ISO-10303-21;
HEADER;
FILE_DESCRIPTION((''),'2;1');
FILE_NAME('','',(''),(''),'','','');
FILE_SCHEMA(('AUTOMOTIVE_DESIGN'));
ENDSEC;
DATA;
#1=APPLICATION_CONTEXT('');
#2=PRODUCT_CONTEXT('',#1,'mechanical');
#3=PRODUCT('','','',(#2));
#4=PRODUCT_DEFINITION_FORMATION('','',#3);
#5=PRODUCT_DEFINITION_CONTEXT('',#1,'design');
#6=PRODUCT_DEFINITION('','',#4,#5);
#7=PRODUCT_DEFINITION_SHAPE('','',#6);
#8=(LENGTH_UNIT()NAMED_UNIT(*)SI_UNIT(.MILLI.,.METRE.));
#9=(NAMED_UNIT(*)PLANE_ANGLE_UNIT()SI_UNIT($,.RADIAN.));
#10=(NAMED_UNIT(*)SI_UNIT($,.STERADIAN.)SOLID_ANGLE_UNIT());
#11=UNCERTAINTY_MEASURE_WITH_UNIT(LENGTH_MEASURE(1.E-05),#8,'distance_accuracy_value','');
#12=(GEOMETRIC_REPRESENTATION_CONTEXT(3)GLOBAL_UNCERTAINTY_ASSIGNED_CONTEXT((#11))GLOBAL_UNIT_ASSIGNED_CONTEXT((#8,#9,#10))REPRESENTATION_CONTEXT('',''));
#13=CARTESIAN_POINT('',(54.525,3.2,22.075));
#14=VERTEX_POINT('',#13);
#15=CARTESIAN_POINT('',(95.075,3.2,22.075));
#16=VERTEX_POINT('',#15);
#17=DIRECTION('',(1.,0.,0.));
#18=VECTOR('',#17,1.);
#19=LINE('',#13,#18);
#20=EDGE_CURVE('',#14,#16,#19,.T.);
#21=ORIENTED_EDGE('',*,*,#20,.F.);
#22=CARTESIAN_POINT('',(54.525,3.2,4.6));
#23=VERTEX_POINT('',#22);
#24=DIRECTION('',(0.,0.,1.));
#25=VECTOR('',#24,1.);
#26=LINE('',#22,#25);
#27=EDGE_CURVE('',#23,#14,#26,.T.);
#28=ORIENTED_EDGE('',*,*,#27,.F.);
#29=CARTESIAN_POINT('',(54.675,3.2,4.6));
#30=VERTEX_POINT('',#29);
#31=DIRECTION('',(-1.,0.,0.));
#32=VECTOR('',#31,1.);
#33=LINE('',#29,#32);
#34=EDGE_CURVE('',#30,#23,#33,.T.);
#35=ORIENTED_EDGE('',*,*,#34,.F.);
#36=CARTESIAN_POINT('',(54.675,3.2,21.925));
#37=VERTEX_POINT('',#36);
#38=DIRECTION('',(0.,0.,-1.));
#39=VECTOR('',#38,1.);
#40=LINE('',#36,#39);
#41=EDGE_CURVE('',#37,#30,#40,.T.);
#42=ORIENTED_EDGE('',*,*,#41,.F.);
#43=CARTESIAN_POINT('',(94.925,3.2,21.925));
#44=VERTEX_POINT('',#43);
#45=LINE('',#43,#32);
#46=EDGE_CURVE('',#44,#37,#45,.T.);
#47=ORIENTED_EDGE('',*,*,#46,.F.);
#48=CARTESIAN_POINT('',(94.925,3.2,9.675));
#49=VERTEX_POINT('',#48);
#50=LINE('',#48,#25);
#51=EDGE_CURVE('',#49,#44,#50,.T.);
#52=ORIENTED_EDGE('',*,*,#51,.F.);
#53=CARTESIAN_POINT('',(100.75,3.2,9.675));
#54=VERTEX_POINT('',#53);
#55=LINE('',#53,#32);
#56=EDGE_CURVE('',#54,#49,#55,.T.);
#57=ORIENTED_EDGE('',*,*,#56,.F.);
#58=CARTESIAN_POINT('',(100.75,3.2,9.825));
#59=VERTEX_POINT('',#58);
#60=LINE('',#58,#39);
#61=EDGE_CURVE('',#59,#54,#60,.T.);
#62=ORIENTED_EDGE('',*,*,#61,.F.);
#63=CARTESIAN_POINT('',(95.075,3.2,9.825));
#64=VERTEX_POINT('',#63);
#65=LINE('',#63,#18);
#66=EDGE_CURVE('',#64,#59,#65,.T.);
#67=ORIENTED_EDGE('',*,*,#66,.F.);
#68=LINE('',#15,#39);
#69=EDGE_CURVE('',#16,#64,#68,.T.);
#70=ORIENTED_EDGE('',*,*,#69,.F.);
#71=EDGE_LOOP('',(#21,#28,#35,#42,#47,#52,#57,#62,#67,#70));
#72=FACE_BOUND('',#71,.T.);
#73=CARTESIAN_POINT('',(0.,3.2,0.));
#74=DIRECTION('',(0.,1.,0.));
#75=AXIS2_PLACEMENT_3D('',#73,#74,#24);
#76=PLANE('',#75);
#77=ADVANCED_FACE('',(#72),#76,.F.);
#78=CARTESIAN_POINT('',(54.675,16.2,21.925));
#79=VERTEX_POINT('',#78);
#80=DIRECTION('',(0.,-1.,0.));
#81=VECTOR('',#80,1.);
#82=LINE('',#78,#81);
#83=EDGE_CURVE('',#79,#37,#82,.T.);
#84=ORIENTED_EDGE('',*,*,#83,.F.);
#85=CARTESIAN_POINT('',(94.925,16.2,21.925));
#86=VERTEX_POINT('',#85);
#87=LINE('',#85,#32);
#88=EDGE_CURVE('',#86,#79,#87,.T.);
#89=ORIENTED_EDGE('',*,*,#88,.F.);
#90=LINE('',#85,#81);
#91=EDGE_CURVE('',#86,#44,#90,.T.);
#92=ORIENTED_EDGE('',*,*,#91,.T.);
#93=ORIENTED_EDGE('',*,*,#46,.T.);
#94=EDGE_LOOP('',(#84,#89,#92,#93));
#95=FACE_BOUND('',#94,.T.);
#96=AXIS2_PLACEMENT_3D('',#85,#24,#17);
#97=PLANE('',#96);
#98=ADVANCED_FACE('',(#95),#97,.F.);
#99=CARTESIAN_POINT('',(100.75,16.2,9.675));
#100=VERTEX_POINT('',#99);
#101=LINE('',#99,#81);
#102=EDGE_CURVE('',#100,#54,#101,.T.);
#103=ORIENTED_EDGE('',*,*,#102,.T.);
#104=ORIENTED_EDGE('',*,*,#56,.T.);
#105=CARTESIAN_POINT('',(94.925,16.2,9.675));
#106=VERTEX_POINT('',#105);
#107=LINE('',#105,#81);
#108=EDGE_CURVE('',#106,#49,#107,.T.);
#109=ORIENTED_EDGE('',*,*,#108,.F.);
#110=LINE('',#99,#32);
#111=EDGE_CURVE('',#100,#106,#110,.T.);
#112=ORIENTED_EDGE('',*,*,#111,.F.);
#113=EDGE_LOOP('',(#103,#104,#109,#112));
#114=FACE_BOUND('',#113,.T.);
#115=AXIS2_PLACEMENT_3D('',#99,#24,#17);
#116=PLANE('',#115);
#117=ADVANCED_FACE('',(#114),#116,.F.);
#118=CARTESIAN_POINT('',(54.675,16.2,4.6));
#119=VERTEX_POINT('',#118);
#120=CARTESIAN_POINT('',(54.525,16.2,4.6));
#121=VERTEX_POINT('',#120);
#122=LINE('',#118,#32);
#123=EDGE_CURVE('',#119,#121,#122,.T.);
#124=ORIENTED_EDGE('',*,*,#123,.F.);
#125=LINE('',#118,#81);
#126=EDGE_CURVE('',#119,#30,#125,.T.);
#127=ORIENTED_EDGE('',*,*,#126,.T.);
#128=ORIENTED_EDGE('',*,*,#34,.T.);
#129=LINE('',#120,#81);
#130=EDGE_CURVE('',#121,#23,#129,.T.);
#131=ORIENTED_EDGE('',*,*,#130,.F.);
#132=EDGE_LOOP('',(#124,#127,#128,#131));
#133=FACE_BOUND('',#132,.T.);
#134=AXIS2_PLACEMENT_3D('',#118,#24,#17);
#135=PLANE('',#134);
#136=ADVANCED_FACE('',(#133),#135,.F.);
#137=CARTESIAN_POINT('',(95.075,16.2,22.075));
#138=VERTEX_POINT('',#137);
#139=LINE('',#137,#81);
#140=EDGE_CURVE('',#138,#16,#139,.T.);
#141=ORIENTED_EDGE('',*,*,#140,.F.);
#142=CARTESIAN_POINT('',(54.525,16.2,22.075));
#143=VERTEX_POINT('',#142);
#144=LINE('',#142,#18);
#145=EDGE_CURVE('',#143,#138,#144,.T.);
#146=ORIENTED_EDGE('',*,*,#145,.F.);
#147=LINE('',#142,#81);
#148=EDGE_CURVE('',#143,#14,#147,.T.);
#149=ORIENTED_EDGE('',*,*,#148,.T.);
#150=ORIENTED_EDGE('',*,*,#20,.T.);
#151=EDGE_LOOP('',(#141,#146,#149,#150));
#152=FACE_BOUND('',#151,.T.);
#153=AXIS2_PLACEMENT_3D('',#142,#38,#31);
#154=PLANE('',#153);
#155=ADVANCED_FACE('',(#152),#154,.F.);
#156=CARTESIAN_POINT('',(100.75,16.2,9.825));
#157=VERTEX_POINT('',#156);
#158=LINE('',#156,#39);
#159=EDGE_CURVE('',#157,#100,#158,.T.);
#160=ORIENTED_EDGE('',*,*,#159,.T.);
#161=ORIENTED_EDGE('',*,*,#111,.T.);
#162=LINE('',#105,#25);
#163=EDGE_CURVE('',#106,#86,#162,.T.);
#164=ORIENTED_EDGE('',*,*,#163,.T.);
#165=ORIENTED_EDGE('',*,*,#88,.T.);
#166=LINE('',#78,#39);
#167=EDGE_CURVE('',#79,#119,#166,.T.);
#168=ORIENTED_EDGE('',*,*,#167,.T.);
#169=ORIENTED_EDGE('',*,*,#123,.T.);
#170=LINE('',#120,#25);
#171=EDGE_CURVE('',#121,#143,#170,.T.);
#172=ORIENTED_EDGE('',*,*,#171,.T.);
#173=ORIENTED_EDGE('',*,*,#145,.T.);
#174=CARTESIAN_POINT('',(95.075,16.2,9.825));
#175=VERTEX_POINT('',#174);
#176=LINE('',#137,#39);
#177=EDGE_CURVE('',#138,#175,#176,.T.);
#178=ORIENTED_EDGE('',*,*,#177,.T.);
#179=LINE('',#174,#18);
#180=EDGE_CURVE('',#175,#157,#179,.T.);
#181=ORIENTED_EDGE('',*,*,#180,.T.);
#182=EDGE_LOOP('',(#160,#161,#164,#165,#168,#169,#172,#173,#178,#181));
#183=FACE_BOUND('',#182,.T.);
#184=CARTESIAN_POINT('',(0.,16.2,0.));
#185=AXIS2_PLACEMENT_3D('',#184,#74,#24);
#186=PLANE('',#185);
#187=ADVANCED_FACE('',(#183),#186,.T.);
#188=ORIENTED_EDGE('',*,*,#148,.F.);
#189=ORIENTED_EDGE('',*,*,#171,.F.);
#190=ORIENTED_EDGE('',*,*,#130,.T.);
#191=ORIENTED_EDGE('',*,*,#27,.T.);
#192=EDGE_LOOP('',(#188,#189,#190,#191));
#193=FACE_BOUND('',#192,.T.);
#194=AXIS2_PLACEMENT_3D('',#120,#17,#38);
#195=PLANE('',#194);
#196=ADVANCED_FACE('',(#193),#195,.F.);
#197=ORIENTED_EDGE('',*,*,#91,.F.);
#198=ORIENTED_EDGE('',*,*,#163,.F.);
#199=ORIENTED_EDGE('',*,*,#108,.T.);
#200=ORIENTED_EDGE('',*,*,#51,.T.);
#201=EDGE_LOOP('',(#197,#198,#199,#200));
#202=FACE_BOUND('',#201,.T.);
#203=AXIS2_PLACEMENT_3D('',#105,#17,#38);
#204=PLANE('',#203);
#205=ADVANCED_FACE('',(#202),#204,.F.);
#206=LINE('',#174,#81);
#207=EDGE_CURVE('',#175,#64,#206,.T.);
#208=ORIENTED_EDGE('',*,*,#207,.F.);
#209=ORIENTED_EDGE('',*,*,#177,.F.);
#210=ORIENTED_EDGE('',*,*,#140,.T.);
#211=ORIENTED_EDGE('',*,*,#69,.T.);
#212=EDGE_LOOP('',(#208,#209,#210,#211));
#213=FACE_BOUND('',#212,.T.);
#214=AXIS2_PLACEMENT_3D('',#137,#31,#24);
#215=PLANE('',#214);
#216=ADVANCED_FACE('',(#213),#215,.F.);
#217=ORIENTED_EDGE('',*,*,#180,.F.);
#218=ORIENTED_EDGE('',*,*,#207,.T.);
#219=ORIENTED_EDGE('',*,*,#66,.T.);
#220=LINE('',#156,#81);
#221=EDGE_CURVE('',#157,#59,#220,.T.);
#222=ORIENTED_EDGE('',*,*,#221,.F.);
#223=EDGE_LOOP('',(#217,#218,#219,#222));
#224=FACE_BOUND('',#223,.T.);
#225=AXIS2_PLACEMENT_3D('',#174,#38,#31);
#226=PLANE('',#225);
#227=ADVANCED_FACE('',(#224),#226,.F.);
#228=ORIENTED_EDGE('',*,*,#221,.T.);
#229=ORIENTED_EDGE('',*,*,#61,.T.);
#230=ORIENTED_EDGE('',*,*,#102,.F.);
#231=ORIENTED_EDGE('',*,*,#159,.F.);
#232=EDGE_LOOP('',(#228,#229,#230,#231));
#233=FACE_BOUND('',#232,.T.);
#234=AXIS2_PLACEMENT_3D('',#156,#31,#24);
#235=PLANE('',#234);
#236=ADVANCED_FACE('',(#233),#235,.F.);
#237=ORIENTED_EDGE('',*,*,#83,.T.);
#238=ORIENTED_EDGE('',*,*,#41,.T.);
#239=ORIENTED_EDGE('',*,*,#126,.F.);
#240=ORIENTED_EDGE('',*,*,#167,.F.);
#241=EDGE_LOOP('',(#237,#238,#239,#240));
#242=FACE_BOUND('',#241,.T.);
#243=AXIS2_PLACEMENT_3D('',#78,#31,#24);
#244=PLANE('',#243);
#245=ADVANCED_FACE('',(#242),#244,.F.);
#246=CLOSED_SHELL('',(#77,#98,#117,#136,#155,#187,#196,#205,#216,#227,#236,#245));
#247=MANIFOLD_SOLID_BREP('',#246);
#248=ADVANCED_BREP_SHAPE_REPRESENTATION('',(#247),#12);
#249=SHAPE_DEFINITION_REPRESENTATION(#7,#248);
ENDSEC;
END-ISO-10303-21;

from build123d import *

# Parameters (mm, degrees)
RIBBON_DEPTH = 13


with BuildPart() as part:
    # Sketch1 → Ribbon (new body)
    with BuildSketch(Plane(origin=(0, 3.2, 0), x_dir=(1, 0, 0), z_dir=(0, 1, 0))):
        Polygon((54.525, -4.6), (54.525, -22.075), (95.075, -22.075), (95.075, -9.825), (100.75, -9.825), (100.75, -9.675), (94.925, -9.675), (94.925, -21.925), (54.675, -21.925), (54.675, -4.6), align=None)
    extrude(amount=RIBBON_DEPTH)


solid = part.part
